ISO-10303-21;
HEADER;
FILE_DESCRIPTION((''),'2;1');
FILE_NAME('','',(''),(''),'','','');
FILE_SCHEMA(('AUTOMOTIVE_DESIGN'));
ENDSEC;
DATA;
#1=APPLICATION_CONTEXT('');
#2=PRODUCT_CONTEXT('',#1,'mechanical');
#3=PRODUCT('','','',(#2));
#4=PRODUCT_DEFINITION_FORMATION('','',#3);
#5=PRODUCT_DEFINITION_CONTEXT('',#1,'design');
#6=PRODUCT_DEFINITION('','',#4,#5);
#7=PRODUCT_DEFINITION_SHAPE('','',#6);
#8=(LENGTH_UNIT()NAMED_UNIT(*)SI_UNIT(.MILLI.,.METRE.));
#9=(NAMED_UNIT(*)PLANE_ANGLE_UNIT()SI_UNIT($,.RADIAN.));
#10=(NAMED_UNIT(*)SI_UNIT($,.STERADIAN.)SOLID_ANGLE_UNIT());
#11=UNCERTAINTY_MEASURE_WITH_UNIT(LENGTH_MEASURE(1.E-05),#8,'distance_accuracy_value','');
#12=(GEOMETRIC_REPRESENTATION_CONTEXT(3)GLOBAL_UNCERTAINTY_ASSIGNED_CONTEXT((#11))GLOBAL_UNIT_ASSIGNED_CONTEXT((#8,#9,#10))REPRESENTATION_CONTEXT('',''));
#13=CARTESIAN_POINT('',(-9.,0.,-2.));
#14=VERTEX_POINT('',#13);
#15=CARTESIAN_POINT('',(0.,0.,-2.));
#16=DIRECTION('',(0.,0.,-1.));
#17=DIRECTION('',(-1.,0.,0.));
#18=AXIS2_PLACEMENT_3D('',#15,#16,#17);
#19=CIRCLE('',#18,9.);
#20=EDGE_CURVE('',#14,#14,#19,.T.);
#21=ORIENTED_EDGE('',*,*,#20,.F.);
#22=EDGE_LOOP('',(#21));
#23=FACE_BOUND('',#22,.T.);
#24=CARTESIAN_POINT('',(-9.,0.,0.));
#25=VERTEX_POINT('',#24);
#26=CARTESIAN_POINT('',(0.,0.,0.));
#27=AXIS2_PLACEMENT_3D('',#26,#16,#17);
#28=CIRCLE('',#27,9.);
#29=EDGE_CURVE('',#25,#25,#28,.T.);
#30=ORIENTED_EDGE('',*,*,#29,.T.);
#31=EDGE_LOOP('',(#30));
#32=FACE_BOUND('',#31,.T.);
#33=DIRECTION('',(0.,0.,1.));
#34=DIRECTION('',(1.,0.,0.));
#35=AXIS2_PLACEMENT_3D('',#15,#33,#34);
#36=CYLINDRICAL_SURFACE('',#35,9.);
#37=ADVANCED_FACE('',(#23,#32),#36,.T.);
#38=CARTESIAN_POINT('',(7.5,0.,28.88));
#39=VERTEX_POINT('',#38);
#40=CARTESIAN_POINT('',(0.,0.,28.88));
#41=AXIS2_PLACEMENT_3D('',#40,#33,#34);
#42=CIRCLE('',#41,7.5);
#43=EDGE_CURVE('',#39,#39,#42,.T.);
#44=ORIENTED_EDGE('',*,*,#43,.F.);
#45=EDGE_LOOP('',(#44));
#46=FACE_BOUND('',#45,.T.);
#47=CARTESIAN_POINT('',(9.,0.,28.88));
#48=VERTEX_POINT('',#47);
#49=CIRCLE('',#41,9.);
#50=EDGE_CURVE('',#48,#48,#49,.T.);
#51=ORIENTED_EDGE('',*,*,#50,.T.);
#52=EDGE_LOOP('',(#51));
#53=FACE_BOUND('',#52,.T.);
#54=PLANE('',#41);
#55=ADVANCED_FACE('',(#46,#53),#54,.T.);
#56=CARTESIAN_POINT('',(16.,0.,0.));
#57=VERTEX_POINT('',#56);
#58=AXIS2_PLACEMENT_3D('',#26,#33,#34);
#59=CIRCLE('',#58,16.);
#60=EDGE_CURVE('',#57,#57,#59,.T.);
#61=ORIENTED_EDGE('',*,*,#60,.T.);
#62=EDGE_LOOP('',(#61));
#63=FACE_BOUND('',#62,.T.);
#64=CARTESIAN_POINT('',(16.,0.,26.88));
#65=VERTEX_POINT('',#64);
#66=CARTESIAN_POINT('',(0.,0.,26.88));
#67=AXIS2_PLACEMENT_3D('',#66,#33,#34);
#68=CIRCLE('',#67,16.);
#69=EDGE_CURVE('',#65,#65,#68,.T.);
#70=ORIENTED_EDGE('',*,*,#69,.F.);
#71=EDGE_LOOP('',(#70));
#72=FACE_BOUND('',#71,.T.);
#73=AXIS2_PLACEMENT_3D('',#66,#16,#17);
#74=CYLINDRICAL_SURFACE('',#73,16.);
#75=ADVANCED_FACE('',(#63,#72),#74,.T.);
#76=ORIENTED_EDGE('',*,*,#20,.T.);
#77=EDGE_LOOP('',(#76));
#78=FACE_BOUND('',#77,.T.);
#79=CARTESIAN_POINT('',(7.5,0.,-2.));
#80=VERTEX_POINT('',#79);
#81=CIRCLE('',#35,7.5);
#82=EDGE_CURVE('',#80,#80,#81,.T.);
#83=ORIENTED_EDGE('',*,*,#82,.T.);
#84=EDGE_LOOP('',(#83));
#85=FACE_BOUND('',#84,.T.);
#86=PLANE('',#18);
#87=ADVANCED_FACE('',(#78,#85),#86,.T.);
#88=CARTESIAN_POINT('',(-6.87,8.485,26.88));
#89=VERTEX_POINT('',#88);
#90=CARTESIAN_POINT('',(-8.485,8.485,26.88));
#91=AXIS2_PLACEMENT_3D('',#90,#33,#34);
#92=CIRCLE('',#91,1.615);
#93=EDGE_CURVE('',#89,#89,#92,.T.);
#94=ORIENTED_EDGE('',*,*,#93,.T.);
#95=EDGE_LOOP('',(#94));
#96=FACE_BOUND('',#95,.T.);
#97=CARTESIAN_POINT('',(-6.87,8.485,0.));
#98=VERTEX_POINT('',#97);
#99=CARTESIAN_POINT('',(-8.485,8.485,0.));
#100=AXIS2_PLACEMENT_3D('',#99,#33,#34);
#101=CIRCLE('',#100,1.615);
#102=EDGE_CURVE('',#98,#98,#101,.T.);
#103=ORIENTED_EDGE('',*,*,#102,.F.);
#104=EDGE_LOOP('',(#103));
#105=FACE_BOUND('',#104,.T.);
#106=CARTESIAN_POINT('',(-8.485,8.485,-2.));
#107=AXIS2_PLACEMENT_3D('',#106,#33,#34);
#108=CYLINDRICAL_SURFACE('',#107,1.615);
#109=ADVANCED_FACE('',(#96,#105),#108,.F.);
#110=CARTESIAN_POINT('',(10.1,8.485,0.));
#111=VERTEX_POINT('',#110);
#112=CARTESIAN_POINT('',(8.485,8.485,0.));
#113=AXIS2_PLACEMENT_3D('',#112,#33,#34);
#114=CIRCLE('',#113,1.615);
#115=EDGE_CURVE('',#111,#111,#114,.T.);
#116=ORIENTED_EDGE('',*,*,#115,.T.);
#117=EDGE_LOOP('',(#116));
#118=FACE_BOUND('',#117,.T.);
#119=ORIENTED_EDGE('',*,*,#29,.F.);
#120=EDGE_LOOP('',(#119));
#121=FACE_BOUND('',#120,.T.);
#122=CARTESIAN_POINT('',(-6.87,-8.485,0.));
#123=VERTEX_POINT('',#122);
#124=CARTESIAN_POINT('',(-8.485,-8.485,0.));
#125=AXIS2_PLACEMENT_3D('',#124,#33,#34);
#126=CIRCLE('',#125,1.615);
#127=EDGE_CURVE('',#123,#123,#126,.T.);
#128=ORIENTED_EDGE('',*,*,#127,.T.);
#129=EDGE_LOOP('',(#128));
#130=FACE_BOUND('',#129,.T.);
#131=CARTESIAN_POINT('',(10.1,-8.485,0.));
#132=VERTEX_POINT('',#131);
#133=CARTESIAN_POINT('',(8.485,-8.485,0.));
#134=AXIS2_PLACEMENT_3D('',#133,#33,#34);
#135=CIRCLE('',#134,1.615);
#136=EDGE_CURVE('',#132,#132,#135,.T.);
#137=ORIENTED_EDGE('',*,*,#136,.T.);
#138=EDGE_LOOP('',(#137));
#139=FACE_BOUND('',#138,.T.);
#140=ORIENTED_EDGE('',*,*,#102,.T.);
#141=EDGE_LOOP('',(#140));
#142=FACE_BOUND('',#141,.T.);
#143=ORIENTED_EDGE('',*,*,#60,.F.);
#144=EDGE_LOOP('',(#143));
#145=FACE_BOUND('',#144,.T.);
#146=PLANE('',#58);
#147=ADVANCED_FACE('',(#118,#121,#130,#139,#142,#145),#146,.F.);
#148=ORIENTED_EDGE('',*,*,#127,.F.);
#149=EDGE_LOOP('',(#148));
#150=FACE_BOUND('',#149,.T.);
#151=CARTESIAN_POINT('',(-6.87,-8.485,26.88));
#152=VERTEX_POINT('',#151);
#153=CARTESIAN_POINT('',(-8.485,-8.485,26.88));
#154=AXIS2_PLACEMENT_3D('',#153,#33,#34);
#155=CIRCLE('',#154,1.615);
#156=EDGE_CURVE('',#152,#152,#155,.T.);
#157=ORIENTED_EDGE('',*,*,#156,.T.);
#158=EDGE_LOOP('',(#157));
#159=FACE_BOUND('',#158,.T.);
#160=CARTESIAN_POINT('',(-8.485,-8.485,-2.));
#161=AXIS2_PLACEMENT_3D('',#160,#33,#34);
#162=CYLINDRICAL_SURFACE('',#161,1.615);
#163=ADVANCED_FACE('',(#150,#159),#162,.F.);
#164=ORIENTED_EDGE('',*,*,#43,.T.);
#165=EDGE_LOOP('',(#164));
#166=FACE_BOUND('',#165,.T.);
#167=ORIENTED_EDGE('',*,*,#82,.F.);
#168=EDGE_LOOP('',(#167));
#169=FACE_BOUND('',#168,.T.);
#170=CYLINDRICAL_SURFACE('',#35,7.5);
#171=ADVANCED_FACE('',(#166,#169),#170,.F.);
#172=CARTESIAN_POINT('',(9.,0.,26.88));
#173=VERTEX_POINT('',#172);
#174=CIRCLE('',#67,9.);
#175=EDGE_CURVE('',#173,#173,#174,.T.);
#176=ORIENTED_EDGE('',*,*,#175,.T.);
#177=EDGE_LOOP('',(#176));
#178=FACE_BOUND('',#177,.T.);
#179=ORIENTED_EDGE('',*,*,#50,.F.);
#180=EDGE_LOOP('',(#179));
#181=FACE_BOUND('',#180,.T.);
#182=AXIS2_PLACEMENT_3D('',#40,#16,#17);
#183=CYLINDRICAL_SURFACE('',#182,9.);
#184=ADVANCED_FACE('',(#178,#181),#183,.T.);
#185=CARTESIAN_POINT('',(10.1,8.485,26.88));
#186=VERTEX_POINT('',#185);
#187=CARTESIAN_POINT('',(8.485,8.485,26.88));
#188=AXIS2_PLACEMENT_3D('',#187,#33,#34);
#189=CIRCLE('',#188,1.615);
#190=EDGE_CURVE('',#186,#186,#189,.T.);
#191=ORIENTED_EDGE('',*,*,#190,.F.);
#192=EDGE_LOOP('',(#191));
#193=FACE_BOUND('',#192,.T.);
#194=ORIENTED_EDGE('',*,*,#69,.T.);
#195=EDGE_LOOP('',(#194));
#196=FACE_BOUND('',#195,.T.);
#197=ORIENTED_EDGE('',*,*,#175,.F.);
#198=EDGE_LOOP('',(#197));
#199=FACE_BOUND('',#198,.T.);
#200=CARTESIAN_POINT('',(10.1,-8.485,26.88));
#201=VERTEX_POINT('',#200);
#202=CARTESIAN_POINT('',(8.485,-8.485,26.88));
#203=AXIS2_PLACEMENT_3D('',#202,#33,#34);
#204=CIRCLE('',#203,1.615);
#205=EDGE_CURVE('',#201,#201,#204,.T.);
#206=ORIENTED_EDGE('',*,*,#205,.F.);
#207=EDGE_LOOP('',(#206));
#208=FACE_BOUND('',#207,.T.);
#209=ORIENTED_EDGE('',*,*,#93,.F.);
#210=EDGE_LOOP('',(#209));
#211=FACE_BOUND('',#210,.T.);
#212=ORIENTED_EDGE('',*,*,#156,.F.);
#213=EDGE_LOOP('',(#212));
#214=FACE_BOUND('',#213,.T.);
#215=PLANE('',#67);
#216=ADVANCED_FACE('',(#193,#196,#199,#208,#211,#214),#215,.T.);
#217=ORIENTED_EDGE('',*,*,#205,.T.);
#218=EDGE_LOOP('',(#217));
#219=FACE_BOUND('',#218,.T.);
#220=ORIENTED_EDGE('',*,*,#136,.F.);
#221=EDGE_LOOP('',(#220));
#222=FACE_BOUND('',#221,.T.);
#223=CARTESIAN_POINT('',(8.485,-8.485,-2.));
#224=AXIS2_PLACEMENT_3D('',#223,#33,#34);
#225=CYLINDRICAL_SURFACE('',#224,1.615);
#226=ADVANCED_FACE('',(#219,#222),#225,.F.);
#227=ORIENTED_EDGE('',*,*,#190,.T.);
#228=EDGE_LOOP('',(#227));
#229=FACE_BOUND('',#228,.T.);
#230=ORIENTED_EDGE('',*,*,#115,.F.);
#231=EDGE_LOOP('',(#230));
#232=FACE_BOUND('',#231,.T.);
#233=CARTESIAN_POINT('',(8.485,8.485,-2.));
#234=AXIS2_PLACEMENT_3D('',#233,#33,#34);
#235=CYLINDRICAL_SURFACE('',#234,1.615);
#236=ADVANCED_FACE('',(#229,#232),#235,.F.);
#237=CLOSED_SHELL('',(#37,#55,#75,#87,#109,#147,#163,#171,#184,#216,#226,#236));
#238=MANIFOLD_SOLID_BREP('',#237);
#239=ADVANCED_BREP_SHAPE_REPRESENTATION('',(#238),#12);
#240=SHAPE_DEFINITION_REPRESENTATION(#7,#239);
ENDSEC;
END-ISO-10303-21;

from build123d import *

# Parameters (mm, degrees)
SKETCH1_R           = 16
BOSS_EXTRUDE1_DEPTH = 26.88
SKETCH4_R           = 9
BOSS_EXTRUDE2_DEPTH = 2
SKETCH5_R           = 9
BOSS_EXTRUDE3_DEPTH = 2
SKETCH6_R           = 7.5
CUT_EXTRUDE2_DEPTH  = 31.88
SKETCH7_R           = 1.615
CUT_EXTRUDE3_DEPTH  = 29.88


with BuildPart() as part:
    # Sketch1 → Boss-Extrude1 (new body)
    with BuildSketch(Plane.XY):
        Circle(SKETCH1_R)
    extrude(amount=BOSS_EXTRUDE1_DEPTH)

    # Sketch4 → Boss-Extrude2 (add)
    with BuildSketch(Plane.XY.offset(26.88)):
        Circle(SKETCH4_R)
    extrude(amount=BOSS_EXTRUDE2_DEPTH)

    # Sketch5 → Boss-Extrude3 (add)
    with BuildSketch(Plane(origin=(0, 0, 0), x_dir=(-1, 0, 0), z_dir=(0, 0, -1))):
        Circle(SKETCH5_R)
    extrude(amount=BOSS_EXTRUDE3_DEPTH)

    # Sketch6 → Cut-Extrude2 (cut, through all)
    with BuildSketch(Plane.XY.offset(28.88)):
        Circle(SKETCH6_R)
    extrude(amount=-CUT_EXTRUDE2_DEPTH, mode=Mode.SUBTRACT)

    # Sketch7 → Cut-Extrude3 (cut, through all)
    with BuildSketch(Plane.XY.offset(26.88)):
        with Locations((-8.485, 8.485)):
            Circle(SKETCH7_R)
        with Locations((8.485, 8.485)):
            Circle(SKETCH7_R)
        with Locations((8.485, -8.485)):
            Circle(SKETCH7_R)
        with Locations((-8.485, -8.485)):
            Circle(SKETCH7_R)
    extrude(amount=-CUT_EXTRUDE3_DEPTH, mode=Mode.SUBTRACT)


solid = part.part
